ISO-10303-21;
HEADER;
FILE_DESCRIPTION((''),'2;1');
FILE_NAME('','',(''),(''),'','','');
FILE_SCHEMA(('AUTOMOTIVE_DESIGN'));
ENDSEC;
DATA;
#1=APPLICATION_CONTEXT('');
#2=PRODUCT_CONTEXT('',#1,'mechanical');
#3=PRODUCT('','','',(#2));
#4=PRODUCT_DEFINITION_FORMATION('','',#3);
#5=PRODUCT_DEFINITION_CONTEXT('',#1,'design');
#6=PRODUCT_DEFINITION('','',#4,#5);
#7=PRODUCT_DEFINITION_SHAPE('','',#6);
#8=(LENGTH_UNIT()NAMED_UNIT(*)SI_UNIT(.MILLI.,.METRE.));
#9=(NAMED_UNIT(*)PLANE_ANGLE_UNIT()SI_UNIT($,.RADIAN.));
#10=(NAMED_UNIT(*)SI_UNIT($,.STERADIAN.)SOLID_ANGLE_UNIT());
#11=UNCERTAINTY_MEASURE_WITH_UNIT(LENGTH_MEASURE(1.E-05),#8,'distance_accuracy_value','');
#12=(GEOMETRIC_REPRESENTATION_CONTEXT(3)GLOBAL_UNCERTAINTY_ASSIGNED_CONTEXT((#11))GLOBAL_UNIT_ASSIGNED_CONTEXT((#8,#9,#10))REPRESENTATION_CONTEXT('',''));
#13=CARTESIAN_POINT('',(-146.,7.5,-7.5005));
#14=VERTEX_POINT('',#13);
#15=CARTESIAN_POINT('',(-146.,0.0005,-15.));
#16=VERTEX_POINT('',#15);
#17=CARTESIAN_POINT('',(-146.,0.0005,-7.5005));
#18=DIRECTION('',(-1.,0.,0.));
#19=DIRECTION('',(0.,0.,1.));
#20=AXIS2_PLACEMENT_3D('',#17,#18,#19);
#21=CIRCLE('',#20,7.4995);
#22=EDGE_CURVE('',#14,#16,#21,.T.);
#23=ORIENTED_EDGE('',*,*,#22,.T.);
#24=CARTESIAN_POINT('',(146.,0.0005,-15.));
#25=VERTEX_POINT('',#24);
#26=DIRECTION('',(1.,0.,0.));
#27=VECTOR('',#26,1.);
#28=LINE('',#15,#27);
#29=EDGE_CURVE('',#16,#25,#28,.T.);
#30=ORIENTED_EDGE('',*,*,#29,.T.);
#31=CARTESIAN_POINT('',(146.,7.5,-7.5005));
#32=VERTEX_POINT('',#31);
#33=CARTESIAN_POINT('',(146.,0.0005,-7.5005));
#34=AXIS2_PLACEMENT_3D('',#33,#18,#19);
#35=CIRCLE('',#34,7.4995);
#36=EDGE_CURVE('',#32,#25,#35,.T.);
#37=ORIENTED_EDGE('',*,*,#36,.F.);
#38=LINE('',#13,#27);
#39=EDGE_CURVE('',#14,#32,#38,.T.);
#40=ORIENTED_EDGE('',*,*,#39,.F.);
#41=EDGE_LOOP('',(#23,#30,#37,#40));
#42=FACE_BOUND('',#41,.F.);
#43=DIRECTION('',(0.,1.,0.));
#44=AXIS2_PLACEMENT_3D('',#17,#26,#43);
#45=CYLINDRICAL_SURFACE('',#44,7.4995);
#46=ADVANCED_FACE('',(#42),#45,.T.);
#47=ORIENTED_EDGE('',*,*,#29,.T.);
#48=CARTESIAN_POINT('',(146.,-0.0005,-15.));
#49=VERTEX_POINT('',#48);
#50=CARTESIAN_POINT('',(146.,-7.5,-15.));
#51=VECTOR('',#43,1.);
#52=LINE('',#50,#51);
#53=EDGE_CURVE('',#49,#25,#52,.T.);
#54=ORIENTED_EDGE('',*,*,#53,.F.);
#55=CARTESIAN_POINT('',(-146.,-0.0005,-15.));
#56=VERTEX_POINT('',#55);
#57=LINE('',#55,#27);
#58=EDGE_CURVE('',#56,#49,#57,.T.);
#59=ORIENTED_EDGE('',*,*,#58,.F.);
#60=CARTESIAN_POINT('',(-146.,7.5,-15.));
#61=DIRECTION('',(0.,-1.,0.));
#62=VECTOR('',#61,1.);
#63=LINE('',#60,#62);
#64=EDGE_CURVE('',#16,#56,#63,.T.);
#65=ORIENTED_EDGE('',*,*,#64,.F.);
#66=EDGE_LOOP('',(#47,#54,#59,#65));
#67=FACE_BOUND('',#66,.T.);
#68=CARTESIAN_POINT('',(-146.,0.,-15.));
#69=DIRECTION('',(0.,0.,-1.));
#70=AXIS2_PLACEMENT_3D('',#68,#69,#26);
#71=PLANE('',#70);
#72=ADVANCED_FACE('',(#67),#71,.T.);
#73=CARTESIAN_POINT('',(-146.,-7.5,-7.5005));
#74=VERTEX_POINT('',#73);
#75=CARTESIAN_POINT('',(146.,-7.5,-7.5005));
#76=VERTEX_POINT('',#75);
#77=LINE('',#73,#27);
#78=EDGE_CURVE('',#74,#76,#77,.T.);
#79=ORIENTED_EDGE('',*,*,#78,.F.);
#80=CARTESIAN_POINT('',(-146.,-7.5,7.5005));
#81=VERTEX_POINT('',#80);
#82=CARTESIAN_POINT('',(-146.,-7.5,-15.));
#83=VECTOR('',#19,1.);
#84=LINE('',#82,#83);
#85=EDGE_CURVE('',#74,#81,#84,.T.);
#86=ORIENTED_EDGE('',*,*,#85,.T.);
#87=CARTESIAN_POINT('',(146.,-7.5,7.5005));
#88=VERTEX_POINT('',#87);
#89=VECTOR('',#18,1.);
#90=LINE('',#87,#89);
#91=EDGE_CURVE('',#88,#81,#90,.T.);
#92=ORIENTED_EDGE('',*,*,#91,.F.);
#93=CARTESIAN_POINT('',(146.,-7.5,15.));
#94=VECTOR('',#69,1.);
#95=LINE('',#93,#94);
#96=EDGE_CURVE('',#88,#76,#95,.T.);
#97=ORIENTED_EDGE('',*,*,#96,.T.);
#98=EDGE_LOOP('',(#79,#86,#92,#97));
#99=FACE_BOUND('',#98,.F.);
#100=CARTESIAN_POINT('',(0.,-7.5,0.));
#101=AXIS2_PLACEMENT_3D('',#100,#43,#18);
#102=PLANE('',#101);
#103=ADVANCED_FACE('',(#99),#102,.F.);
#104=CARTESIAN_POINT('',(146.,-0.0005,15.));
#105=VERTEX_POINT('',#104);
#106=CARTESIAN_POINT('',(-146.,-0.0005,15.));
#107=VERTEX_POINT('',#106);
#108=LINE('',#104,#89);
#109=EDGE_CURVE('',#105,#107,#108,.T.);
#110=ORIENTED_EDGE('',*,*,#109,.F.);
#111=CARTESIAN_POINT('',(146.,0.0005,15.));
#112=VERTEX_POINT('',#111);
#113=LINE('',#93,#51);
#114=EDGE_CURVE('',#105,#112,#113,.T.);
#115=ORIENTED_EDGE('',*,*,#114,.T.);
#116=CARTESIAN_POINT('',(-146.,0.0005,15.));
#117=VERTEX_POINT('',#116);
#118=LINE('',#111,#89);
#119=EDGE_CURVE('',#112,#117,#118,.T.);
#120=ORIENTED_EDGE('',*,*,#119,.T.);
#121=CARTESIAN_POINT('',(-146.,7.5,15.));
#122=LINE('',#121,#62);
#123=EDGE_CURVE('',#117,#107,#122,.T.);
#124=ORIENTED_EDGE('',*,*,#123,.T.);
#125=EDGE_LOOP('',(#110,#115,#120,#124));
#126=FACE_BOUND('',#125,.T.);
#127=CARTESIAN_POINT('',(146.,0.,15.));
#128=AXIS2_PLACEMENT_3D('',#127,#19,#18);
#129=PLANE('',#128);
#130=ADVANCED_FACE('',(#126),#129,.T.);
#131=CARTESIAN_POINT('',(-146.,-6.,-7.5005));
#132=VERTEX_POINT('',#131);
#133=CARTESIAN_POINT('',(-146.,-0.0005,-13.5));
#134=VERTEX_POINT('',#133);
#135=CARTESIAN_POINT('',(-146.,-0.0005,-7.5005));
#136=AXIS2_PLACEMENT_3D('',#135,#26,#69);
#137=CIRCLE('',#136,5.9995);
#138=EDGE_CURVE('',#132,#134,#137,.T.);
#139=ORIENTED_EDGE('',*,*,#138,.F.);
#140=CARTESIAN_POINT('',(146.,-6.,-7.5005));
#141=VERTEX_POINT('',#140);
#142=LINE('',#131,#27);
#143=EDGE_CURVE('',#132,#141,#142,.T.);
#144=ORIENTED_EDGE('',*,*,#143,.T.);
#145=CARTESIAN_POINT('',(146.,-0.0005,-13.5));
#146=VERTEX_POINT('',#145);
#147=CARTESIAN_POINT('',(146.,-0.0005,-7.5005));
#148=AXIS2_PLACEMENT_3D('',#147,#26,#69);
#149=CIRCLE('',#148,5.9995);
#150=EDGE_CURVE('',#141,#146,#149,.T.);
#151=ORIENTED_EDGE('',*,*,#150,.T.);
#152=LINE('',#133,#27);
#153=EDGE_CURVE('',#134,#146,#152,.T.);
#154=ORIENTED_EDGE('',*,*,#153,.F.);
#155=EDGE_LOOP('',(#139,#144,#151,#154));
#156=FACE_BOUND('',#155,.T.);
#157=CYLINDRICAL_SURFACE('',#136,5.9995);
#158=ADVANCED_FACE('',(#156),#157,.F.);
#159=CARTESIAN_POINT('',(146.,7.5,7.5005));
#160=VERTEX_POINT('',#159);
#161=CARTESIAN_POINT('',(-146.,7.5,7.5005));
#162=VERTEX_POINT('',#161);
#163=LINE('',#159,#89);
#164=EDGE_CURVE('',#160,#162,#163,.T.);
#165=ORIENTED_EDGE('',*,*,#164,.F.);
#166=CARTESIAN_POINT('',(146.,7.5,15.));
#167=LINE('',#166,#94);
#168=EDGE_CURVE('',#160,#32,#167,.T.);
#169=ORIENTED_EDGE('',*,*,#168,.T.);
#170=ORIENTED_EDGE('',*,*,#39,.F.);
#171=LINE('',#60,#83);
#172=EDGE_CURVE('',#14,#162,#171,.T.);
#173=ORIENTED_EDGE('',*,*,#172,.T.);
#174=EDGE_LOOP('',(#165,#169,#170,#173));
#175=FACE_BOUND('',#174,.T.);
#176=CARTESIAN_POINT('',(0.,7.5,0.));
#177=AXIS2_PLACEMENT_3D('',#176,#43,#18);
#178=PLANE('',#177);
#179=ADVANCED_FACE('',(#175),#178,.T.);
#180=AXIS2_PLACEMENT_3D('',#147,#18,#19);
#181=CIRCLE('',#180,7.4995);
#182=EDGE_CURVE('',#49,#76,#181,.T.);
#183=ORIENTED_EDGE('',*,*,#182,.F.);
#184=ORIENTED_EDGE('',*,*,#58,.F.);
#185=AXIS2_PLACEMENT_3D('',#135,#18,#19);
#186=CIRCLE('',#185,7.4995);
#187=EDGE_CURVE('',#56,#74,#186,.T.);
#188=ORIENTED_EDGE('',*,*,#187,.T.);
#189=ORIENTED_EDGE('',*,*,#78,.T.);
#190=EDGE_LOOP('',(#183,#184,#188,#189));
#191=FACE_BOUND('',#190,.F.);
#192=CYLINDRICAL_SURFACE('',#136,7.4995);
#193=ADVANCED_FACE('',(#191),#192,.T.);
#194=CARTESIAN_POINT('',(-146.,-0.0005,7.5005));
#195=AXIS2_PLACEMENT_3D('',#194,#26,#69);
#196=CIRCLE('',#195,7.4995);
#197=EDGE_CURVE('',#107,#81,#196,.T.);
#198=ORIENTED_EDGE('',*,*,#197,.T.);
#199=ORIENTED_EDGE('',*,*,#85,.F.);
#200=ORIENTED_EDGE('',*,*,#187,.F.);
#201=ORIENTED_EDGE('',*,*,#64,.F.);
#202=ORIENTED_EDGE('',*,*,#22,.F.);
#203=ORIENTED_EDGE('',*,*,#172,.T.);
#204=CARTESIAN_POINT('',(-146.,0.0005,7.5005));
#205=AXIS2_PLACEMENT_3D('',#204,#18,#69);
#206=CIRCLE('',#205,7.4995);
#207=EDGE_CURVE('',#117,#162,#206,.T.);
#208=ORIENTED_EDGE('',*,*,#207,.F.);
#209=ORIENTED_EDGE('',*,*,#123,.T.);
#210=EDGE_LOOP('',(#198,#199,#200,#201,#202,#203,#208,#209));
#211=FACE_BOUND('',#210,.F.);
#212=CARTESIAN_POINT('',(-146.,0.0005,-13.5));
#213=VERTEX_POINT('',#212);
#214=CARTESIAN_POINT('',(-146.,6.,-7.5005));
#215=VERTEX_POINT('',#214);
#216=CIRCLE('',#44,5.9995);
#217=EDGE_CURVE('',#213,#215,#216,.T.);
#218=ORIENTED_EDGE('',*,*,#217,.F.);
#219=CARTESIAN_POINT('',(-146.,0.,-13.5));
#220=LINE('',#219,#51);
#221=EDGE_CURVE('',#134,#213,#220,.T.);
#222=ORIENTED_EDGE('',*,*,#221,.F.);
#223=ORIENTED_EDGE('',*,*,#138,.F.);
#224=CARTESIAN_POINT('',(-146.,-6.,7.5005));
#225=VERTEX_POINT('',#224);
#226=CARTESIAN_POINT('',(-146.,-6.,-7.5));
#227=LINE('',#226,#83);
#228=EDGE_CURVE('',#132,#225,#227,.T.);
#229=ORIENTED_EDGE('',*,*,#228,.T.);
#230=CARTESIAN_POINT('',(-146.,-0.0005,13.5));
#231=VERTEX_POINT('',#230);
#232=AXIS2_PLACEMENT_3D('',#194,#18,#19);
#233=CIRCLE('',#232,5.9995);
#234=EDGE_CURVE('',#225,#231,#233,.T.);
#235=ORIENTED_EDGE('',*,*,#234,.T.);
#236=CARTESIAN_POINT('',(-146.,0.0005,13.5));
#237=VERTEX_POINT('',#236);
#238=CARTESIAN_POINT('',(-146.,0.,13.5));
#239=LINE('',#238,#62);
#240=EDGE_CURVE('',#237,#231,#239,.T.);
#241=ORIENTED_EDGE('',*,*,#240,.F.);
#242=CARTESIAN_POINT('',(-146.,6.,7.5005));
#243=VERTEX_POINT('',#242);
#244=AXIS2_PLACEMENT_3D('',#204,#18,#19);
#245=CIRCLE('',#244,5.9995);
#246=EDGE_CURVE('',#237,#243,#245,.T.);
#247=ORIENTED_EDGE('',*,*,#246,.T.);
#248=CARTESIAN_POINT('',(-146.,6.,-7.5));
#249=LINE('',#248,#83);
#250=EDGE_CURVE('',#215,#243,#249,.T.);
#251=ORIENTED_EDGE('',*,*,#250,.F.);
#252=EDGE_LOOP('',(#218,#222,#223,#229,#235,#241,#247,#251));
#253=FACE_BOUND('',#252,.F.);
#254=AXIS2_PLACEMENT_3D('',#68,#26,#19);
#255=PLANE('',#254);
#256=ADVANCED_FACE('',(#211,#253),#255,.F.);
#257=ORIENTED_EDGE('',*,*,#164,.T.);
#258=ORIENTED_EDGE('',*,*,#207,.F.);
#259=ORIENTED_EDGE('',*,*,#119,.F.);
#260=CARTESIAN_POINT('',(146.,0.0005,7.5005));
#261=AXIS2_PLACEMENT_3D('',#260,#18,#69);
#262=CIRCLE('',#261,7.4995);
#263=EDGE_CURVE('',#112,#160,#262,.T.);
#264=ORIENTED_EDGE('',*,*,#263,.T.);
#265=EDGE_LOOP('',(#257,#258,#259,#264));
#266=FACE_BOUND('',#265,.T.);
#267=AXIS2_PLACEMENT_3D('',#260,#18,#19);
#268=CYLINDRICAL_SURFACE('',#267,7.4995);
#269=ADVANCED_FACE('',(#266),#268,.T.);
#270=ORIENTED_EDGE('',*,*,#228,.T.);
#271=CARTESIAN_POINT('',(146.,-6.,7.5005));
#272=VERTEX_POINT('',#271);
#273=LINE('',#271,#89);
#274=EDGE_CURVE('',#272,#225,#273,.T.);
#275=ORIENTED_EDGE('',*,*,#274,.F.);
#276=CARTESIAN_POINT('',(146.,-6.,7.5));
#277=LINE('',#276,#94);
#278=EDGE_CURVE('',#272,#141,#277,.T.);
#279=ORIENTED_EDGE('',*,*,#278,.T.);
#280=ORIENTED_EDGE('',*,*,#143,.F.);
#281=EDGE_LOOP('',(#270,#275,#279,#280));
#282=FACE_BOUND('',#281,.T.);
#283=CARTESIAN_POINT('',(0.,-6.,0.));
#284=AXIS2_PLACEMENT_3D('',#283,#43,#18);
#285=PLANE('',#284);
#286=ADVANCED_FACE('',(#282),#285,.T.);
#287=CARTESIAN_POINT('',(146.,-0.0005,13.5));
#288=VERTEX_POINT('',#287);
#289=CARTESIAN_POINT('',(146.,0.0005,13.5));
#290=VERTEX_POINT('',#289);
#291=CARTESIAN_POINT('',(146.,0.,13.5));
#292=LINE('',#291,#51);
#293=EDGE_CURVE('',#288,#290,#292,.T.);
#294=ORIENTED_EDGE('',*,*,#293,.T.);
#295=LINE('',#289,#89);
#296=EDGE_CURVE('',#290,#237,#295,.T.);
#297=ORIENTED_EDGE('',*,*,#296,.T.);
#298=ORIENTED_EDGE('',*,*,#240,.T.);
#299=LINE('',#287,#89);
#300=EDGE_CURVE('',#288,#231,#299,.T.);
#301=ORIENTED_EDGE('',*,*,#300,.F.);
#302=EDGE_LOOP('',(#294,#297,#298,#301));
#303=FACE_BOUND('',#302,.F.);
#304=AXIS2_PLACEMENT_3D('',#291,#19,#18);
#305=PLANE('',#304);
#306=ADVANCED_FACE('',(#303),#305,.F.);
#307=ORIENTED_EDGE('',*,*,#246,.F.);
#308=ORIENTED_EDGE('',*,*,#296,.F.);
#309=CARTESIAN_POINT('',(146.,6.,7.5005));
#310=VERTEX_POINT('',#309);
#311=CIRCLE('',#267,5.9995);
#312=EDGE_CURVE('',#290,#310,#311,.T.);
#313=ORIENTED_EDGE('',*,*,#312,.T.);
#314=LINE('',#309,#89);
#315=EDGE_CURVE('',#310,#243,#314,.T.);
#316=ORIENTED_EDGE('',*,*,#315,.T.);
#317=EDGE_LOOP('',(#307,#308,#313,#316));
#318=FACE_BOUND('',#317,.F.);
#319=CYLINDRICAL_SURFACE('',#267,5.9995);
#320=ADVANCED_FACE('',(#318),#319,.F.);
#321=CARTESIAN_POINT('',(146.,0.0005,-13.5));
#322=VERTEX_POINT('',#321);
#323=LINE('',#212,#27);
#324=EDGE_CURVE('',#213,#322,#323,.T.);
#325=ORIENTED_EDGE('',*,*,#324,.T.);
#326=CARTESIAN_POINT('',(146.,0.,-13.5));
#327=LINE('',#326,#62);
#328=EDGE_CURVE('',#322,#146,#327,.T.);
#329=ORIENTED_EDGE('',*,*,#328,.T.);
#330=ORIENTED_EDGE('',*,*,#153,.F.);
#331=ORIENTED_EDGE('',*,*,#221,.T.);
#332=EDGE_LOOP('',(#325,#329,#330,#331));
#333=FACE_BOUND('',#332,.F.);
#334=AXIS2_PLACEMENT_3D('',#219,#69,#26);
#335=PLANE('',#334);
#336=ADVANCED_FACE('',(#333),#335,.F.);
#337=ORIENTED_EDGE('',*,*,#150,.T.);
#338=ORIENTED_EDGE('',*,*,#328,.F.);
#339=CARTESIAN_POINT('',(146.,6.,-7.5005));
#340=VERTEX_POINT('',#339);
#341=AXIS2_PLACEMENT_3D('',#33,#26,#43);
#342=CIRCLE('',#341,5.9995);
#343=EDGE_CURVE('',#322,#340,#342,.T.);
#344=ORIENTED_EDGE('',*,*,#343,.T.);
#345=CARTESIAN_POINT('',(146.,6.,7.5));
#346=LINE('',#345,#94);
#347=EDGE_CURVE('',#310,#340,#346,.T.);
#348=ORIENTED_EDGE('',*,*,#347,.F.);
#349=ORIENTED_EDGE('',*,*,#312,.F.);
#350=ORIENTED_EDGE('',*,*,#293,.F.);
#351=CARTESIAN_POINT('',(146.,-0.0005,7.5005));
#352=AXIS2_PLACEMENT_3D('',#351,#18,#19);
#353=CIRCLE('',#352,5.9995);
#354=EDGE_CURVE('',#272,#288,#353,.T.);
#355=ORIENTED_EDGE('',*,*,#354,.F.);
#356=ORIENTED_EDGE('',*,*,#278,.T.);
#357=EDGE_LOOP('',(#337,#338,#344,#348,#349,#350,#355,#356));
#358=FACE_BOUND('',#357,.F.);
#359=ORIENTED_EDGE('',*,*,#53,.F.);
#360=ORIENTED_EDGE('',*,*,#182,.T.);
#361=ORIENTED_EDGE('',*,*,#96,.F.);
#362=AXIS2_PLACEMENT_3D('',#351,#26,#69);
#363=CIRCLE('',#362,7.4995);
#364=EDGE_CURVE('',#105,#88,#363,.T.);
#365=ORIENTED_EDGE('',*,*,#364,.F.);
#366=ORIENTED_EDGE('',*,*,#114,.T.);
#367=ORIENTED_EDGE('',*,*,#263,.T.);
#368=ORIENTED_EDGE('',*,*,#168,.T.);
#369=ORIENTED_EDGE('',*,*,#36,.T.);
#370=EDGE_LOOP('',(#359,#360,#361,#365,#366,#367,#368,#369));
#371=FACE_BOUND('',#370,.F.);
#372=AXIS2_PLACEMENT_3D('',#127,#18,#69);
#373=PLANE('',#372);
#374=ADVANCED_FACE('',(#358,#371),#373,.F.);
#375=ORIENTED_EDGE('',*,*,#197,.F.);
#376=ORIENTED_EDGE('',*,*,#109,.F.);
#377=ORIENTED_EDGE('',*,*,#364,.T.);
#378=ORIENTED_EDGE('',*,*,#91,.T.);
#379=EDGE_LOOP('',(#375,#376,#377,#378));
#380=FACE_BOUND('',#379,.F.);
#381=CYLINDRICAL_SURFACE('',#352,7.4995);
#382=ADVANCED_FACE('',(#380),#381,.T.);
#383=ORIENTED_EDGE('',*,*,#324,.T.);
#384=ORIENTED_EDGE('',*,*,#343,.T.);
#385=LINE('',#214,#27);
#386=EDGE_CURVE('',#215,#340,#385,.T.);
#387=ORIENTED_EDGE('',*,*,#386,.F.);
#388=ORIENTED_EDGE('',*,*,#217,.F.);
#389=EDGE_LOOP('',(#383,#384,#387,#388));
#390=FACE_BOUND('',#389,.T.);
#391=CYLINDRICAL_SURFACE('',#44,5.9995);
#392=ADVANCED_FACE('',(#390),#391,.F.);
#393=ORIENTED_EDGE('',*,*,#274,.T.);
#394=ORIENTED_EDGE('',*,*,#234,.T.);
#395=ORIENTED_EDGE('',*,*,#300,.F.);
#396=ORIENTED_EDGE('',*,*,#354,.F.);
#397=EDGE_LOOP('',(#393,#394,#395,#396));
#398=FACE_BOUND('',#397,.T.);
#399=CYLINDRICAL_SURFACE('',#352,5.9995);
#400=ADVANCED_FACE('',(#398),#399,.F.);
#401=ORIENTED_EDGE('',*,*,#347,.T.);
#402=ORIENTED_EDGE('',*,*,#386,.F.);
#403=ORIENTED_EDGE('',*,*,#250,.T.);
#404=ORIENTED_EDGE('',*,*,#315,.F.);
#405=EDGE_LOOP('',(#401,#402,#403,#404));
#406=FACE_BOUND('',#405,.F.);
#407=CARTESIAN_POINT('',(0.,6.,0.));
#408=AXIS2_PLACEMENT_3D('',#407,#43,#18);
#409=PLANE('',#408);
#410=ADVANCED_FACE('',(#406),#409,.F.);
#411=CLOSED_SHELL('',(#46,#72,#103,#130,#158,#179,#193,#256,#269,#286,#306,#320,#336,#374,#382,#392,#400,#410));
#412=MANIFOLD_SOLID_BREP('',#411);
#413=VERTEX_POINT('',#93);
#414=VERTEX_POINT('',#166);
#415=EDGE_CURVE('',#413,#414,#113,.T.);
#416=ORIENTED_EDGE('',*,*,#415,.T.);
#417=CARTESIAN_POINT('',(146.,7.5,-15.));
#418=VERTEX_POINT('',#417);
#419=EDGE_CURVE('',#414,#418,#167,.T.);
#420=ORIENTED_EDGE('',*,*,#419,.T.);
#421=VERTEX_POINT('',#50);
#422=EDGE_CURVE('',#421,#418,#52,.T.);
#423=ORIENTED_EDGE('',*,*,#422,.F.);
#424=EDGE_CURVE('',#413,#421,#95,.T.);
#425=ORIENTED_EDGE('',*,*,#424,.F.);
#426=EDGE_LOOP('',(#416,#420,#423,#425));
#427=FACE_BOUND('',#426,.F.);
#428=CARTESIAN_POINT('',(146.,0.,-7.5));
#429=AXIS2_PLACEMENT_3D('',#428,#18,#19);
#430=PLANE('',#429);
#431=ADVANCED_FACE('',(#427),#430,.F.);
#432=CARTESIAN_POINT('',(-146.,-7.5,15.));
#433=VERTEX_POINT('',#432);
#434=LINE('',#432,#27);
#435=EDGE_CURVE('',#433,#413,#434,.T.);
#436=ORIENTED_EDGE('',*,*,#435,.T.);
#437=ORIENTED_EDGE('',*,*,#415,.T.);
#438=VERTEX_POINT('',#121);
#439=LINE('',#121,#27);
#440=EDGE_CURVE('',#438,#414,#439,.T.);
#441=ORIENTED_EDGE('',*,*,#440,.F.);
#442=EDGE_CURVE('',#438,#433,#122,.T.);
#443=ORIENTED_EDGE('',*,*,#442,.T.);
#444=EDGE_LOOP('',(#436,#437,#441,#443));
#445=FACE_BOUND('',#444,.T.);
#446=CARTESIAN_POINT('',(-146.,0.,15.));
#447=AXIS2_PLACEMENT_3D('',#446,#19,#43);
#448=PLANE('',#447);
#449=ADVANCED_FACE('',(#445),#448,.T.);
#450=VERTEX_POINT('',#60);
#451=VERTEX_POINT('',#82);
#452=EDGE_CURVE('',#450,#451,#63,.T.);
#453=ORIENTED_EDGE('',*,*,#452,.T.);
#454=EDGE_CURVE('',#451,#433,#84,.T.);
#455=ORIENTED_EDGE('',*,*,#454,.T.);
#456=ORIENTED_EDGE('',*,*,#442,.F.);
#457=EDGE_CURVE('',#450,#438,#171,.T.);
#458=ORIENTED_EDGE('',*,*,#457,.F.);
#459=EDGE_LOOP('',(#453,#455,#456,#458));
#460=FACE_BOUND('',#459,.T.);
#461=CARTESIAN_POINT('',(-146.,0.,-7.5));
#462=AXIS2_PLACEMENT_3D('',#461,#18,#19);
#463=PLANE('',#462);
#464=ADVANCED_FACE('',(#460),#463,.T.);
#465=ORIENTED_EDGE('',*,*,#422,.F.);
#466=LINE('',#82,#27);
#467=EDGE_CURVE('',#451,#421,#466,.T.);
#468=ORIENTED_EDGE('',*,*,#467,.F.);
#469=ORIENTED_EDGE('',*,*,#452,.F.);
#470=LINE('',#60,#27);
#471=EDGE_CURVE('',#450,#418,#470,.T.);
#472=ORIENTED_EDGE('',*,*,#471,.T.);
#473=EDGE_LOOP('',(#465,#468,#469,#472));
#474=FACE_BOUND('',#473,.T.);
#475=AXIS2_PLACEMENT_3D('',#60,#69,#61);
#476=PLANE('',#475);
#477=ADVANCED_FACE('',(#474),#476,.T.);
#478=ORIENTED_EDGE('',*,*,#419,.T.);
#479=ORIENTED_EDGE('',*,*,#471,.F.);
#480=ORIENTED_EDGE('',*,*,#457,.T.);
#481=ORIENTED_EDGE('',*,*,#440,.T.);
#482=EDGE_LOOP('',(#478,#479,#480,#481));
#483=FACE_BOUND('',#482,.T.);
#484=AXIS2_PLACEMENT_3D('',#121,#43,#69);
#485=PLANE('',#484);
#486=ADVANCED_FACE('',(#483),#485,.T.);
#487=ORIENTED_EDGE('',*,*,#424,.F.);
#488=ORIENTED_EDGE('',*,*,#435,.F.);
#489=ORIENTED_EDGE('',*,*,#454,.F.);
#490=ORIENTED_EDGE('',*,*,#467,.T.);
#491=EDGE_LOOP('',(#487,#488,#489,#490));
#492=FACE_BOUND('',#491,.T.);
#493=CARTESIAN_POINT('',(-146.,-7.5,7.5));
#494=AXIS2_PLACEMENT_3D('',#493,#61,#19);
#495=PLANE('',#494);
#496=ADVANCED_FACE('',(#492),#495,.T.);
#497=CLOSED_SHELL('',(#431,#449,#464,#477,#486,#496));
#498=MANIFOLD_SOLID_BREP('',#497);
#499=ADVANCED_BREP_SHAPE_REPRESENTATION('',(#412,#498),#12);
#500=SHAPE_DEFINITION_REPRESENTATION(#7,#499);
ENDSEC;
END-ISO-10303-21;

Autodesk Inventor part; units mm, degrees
ref_plane "YZ Plane" through (0, 0, 0) normal (1, 0, 0) x (0, 1, 0)
ref_plane "XZ Plane" through (0, 0, 0) normal (0, 1, 0) x (-1, 0, 0)
ref_plane "XY Plane" through (0, 0, 0) normal (0, 0, 1) x (1, 0, 0)
sketch "Sketch1" plane through (0, 0, 0) normal (0, 1, 0) x (-1, 0, 0)
  line L0 (-150, 15) -> (150, 15)
  line L1 (150, 15) -> (150, -15)
  line L2 (150, -15) -> (-150, -15)
  line L3 (-150, -15) -> (-150, 15)
  point P0 (0, -15)
  point P1 (0, 0)
  point P2 (150, 0)
  dimension "d1" = 30
  dimension "Length" = 300
sketch "Sketch2" plane through (0, 0, 0) normal (0, 1, 0) x (-1, 0, 0)
  line L0 (-150, 15) -> (150, 15) projected
  line L1 (150, -15) -> (-150, -15) projected
  line L2 (146, 15) -> (-146, 15)
  line L3 (-146, 15) -> (-146, -15)
  line L4 (-146, -15) -> (146, -15)
  line L5 (146, -15) -> (146, 15)
  point P0 (0, 0)
  dimension "d2" = 4
  dimension "d3" = 4
  dimension "Bar_Length" = 292
extrude "Extrusion1" add sketch "Sketch2" along normal mid plane 15
fillet "Fillet1" radius 7.5 4 edges at (0, -7.5, 15) (0, 7.5, 15) (0, -7.5, -15) (0, 7.5, -15)
shell "Shell1" thickness 1.5 removed faces 2 at (-146, 2.5, 2.5002) at (146, 2.5, -2.5002)
sketch "Sketch3" plane through (-146, 0, -7.5) normal (-1, 0, 0) x (0, 0, 1)
  line L0 (22.5, 7.5) -> (-7.5, 7.5)
  line L1 (-7.5, 7.5) -> (-7.5, -7.5)
  line L2 (-7.5, -7.5) -> (22.5, -7.5)
  line L3 (22.5, -7.5) -> (22.5, 7.5)
  arc A0 (15, -7.5) -> (15, 7.5) centre (15, 0) ccw projected
  arc A1 (0, 7.5) -> (0, -7.5) centre (0, 0) ccw projected
  line L4 (0, 7.5) -> (15, 7.5) projected
  line L5 (15, -7.5) -> (0, -7.5) projected
  point P0 (7.5, 0)
extrude "Extrusion2" add sketch "Sketch3" against normal up to surface (292 mm away) separate body
equation "\"d6\" = 0.5 * d4"
equation "\"d4\" = 15"
properties part number "Oval Bar 30x15"
